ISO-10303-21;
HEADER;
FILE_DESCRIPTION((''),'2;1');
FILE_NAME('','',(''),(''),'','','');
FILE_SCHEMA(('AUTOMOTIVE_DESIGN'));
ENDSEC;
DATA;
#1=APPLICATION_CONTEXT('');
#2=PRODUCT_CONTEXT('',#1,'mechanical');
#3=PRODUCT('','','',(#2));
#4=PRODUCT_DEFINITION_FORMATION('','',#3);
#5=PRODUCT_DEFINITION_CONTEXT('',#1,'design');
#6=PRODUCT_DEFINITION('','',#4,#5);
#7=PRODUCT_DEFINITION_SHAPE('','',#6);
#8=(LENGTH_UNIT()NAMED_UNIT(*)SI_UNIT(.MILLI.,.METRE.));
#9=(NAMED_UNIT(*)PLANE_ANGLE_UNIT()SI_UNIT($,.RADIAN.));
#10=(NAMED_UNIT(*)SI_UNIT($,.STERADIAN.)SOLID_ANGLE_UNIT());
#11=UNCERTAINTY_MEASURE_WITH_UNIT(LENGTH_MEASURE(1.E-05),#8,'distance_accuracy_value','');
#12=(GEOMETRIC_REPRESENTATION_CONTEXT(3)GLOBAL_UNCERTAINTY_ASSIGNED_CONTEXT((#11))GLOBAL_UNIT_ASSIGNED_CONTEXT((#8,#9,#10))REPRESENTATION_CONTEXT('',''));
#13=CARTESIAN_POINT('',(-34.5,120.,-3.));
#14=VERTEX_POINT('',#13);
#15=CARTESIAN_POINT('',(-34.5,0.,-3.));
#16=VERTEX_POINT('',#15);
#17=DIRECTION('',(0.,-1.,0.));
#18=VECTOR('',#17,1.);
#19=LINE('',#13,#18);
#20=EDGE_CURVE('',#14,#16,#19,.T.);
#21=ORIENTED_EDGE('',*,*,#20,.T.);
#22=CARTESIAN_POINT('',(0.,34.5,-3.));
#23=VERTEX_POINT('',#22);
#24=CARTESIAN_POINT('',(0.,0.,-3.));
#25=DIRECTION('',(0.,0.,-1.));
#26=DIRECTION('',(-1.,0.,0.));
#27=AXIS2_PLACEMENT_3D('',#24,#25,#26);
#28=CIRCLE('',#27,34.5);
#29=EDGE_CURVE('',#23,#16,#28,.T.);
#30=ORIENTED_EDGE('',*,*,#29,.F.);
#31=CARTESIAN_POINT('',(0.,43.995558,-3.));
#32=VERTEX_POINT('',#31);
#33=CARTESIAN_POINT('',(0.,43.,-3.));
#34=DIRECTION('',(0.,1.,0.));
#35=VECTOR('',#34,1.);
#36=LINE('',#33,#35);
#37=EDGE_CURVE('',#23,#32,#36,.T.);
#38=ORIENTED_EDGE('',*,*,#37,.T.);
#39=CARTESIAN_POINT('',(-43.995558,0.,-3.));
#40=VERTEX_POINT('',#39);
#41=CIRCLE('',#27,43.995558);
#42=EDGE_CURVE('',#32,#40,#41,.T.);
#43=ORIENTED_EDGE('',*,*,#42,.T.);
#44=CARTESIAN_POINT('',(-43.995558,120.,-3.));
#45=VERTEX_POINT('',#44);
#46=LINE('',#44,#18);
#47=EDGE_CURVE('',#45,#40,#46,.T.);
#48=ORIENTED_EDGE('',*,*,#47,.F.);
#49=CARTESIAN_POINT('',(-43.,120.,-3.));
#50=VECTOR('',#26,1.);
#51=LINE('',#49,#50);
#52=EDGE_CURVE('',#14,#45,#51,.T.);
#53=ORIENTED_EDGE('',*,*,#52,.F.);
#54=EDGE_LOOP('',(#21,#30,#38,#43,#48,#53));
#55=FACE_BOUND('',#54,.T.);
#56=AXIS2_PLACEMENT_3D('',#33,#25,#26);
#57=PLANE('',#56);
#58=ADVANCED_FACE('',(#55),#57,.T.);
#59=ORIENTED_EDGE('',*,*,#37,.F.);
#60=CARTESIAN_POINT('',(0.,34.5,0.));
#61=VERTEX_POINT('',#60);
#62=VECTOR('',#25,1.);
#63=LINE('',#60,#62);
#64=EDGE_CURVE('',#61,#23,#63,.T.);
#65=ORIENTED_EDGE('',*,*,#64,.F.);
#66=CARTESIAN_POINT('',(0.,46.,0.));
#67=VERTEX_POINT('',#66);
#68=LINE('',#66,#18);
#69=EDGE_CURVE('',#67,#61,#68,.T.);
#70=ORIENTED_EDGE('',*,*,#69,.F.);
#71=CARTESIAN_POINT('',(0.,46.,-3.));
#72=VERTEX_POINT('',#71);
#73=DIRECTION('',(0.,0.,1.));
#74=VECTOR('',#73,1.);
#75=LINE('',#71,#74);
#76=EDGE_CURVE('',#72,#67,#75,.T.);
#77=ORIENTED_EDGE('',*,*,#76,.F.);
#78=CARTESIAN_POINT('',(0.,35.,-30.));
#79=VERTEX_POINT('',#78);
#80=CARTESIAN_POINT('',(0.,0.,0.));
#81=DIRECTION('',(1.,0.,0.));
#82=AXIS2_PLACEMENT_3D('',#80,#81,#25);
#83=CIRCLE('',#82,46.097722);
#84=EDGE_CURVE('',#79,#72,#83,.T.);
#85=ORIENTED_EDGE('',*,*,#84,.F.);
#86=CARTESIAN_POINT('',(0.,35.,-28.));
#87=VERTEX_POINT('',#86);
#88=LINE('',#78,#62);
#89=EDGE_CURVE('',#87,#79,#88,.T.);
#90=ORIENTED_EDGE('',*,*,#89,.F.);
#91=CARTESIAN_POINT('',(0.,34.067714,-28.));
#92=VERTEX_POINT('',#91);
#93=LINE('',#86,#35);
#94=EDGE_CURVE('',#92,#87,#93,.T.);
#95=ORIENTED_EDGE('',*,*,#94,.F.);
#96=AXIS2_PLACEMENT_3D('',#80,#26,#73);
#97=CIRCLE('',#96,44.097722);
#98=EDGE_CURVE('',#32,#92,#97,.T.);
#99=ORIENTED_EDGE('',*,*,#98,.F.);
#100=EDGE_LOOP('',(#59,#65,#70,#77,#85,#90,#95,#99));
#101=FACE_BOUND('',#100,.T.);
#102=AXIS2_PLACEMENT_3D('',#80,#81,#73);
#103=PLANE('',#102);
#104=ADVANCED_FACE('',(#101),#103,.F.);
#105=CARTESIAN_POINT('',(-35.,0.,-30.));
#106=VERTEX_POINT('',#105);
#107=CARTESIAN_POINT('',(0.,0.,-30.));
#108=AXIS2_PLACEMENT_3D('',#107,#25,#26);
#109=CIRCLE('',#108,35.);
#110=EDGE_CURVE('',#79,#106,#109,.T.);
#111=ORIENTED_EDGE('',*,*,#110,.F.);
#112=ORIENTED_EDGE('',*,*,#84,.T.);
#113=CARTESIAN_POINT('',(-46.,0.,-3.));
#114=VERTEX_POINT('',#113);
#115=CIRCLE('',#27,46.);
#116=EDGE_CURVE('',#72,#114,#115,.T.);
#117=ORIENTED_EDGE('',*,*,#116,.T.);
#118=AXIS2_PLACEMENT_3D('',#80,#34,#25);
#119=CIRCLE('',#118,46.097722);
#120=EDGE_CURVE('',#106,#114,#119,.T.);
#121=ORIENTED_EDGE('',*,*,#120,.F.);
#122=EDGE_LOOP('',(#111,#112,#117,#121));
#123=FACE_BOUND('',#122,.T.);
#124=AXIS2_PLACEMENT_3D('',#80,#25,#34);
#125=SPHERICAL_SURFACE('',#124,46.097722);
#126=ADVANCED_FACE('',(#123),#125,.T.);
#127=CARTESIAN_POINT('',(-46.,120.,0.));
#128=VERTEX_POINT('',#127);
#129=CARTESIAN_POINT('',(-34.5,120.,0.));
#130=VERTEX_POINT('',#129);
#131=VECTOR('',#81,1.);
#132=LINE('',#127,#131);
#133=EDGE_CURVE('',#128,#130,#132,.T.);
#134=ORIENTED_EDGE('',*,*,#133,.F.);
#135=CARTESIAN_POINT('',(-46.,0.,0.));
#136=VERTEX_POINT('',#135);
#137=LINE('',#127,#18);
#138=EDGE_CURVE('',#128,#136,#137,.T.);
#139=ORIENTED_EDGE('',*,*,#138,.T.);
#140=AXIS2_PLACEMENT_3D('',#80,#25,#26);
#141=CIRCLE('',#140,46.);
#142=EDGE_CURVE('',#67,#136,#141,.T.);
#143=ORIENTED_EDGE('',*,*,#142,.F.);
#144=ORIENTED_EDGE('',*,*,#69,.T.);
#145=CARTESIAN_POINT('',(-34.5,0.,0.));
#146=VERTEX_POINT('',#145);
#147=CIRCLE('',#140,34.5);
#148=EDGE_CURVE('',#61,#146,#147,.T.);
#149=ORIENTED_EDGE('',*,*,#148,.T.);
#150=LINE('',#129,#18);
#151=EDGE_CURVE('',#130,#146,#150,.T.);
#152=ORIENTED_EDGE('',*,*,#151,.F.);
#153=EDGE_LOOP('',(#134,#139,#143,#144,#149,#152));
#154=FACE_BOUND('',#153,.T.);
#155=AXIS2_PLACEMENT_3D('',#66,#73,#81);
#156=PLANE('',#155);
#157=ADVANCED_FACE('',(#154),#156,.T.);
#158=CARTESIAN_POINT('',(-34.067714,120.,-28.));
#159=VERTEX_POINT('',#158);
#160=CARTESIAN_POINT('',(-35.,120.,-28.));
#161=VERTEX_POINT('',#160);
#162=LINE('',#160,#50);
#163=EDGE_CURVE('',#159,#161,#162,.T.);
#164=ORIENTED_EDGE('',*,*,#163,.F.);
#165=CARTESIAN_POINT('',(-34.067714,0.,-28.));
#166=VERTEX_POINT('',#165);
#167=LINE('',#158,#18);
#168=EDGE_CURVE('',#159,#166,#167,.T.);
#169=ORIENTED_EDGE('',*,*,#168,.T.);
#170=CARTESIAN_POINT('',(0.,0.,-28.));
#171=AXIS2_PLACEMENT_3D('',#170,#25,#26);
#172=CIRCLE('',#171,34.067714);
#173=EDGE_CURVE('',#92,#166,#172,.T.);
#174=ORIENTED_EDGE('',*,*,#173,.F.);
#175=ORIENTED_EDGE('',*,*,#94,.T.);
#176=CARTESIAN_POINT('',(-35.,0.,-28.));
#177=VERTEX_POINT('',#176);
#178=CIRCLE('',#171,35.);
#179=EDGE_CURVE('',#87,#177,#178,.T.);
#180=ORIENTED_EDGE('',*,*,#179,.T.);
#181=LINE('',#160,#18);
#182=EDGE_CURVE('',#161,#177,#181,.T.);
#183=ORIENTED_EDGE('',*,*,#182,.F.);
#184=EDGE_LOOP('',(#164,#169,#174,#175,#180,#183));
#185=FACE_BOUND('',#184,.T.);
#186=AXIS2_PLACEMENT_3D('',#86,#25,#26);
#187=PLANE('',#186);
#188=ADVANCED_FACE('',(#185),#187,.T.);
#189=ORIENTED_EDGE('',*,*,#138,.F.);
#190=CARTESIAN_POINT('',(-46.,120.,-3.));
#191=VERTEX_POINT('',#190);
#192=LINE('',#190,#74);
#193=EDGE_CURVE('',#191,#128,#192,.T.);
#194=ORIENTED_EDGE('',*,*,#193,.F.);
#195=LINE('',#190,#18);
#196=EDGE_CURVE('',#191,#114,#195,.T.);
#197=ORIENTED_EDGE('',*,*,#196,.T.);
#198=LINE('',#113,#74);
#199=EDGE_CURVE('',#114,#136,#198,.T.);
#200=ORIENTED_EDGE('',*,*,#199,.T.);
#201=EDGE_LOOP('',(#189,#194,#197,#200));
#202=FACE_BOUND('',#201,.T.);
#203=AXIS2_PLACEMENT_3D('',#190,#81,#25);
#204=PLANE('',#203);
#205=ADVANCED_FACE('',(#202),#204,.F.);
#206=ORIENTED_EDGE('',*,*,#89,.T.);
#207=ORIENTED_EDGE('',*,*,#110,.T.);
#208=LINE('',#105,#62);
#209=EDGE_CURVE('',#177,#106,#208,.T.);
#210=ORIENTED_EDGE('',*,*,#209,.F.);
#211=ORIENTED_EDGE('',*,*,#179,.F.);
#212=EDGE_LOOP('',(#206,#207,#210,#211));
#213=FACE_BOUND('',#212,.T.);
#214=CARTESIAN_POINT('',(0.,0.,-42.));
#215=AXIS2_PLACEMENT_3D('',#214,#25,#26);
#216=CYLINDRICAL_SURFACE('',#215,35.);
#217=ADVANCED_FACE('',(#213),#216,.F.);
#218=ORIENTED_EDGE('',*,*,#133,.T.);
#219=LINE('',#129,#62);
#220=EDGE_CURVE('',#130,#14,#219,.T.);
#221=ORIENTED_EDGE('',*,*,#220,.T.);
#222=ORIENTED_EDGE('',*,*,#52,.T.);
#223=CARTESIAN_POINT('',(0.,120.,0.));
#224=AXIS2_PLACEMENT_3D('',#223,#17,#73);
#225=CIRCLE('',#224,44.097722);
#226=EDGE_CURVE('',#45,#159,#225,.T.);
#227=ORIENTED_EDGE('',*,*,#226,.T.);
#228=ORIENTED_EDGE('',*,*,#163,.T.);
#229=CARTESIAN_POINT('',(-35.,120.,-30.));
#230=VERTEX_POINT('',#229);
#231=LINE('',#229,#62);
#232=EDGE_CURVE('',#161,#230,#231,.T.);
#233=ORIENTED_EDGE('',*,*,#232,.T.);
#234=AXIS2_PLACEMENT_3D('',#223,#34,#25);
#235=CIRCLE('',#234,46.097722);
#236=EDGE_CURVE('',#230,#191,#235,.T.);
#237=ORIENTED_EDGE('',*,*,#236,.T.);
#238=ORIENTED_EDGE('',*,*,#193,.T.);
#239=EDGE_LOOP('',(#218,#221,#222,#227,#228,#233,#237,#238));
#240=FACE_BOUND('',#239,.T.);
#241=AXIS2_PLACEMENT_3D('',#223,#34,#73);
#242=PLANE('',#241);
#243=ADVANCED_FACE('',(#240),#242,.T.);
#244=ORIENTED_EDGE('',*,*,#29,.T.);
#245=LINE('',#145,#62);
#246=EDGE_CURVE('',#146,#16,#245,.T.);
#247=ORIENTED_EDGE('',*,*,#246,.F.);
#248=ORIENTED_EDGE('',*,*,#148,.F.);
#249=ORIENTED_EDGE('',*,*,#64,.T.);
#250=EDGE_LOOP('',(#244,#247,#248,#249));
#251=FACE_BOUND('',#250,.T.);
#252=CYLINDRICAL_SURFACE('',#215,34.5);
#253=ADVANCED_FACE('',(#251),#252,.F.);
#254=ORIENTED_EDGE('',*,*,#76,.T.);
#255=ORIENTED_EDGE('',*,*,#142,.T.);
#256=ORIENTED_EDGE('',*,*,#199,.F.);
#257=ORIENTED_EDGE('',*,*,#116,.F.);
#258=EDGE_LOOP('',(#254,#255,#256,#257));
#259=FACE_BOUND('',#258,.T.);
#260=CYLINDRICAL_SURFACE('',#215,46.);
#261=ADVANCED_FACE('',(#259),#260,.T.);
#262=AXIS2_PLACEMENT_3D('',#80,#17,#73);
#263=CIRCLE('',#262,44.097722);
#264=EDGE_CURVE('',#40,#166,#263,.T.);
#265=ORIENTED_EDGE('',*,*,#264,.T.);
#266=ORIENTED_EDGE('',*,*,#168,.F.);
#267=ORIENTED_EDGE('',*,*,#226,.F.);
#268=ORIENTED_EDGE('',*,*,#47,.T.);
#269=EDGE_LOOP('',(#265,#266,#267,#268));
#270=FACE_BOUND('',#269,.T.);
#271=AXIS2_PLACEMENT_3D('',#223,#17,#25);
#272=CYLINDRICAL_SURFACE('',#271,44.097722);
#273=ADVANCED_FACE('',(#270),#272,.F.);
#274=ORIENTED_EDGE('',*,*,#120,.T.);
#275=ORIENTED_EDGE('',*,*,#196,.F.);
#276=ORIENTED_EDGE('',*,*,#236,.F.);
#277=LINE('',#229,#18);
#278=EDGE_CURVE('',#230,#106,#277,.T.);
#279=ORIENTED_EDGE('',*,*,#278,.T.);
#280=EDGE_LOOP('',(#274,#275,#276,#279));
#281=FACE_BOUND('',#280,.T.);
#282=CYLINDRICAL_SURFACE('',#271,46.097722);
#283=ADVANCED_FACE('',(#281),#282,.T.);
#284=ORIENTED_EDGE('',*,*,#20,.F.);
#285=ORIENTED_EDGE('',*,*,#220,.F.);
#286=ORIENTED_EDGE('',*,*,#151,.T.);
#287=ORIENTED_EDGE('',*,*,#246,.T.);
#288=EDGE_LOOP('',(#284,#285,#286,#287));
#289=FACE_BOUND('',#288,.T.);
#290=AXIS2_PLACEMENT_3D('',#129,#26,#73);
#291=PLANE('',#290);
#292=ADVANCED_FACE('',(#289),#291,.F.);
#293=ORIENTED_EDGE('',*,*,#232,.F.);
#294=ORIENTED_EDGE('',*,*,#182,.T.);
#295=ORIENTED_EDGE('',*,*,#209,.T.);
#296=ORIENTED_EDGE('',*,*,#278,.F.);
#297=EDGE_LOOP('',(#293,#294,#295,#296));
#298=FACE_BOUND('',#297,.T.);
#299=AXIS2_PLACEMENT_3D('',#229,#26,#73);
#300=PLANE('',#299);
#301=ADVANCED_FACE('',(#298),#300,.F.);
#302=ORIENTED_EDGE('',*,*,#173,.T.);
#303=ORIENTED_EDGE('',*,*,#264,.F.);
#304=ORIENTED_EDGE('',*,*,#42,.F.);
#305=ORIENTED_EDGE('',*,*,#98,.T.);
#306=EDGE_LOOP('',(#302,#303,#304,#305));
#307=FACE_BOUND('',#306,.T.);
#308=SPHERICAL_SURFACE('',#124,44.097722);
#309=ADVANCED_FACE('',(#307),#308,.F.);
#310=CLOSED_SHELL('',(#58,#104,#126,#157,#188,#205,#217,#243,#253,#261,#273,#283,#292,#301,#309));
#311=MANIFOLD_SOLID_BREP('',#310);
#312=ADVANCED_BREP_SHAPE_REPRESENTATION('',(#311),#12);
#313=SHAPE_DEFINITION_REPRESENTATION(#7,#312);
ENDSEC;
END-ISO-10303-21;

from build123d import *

# Parameters (mm, degrees)
REVOLVE_2_ANGLE = 270
EXTRUDE_1_DEPTH = 120


with BuildPart() as part:
    # 草图2 → 旋转2 (revolve)
    with BuildSketch(Plane(origin=(0, 0, 0), x_dir=(1, 0, 0), z_dir=(0, 1, 0))):
        with BuildLine():
            Line((-34.5, 0), (-34.5, 3))
            Line((-34.5, 3), (-43, 3))
            Line((-43, 3), (-43.995557857, 3))
            ThreePointArc((-43.995557857, 3), (-40.98437005, 16.275457684), (-34.067713618, 28))
            Line((-34.067713618, 28), (-35, 28))
            Line((-35, 28), (-35, 30))
            ThreePointArc((-35, 30), (-42.690748412, 17.392527131), (-46, 3))
            Line((-46, 3), (-46, 0))
            Line((-46, 0), (-34.5, 0))
        make_face()
    revolve(axis=Axis((0, 0, -42), (0, 0, 1)), revolution_arc=REVOLVE_2_ANGLE)

    # 草图2<2> → 凸台-拉伸1 (add)
    with BuildSketch(Plane(origin=(0, 0, 0), x_dir=(1, 0, 0), z_dir=(0, 1, 0))):
        with BuildLine():
            Line((-34.5, 0), (-34.5, 3))
            Line((-34.5, 3), (-43, 3))
            Line((-43, 3), (-43.995557857, 3))
            ThreePointArc((-43.995557857, 3), (-40.98437005, 16.275457684), (-34.067713618, 28))
            Line((-34.067713618, 28), (-35, 28))
            Line((-35, 28), (-35, 30))
            ThreePointArc((-35, 30), (-42.690748412, 17.392527131), (-46, 3))
            Line((-46, 3), (-46, 0))
            Line((-46, 0), (-34.5, 0))
        make_face()
    extrude(amount=EXTRUDE_1_DEPTH)


solid = part.part
